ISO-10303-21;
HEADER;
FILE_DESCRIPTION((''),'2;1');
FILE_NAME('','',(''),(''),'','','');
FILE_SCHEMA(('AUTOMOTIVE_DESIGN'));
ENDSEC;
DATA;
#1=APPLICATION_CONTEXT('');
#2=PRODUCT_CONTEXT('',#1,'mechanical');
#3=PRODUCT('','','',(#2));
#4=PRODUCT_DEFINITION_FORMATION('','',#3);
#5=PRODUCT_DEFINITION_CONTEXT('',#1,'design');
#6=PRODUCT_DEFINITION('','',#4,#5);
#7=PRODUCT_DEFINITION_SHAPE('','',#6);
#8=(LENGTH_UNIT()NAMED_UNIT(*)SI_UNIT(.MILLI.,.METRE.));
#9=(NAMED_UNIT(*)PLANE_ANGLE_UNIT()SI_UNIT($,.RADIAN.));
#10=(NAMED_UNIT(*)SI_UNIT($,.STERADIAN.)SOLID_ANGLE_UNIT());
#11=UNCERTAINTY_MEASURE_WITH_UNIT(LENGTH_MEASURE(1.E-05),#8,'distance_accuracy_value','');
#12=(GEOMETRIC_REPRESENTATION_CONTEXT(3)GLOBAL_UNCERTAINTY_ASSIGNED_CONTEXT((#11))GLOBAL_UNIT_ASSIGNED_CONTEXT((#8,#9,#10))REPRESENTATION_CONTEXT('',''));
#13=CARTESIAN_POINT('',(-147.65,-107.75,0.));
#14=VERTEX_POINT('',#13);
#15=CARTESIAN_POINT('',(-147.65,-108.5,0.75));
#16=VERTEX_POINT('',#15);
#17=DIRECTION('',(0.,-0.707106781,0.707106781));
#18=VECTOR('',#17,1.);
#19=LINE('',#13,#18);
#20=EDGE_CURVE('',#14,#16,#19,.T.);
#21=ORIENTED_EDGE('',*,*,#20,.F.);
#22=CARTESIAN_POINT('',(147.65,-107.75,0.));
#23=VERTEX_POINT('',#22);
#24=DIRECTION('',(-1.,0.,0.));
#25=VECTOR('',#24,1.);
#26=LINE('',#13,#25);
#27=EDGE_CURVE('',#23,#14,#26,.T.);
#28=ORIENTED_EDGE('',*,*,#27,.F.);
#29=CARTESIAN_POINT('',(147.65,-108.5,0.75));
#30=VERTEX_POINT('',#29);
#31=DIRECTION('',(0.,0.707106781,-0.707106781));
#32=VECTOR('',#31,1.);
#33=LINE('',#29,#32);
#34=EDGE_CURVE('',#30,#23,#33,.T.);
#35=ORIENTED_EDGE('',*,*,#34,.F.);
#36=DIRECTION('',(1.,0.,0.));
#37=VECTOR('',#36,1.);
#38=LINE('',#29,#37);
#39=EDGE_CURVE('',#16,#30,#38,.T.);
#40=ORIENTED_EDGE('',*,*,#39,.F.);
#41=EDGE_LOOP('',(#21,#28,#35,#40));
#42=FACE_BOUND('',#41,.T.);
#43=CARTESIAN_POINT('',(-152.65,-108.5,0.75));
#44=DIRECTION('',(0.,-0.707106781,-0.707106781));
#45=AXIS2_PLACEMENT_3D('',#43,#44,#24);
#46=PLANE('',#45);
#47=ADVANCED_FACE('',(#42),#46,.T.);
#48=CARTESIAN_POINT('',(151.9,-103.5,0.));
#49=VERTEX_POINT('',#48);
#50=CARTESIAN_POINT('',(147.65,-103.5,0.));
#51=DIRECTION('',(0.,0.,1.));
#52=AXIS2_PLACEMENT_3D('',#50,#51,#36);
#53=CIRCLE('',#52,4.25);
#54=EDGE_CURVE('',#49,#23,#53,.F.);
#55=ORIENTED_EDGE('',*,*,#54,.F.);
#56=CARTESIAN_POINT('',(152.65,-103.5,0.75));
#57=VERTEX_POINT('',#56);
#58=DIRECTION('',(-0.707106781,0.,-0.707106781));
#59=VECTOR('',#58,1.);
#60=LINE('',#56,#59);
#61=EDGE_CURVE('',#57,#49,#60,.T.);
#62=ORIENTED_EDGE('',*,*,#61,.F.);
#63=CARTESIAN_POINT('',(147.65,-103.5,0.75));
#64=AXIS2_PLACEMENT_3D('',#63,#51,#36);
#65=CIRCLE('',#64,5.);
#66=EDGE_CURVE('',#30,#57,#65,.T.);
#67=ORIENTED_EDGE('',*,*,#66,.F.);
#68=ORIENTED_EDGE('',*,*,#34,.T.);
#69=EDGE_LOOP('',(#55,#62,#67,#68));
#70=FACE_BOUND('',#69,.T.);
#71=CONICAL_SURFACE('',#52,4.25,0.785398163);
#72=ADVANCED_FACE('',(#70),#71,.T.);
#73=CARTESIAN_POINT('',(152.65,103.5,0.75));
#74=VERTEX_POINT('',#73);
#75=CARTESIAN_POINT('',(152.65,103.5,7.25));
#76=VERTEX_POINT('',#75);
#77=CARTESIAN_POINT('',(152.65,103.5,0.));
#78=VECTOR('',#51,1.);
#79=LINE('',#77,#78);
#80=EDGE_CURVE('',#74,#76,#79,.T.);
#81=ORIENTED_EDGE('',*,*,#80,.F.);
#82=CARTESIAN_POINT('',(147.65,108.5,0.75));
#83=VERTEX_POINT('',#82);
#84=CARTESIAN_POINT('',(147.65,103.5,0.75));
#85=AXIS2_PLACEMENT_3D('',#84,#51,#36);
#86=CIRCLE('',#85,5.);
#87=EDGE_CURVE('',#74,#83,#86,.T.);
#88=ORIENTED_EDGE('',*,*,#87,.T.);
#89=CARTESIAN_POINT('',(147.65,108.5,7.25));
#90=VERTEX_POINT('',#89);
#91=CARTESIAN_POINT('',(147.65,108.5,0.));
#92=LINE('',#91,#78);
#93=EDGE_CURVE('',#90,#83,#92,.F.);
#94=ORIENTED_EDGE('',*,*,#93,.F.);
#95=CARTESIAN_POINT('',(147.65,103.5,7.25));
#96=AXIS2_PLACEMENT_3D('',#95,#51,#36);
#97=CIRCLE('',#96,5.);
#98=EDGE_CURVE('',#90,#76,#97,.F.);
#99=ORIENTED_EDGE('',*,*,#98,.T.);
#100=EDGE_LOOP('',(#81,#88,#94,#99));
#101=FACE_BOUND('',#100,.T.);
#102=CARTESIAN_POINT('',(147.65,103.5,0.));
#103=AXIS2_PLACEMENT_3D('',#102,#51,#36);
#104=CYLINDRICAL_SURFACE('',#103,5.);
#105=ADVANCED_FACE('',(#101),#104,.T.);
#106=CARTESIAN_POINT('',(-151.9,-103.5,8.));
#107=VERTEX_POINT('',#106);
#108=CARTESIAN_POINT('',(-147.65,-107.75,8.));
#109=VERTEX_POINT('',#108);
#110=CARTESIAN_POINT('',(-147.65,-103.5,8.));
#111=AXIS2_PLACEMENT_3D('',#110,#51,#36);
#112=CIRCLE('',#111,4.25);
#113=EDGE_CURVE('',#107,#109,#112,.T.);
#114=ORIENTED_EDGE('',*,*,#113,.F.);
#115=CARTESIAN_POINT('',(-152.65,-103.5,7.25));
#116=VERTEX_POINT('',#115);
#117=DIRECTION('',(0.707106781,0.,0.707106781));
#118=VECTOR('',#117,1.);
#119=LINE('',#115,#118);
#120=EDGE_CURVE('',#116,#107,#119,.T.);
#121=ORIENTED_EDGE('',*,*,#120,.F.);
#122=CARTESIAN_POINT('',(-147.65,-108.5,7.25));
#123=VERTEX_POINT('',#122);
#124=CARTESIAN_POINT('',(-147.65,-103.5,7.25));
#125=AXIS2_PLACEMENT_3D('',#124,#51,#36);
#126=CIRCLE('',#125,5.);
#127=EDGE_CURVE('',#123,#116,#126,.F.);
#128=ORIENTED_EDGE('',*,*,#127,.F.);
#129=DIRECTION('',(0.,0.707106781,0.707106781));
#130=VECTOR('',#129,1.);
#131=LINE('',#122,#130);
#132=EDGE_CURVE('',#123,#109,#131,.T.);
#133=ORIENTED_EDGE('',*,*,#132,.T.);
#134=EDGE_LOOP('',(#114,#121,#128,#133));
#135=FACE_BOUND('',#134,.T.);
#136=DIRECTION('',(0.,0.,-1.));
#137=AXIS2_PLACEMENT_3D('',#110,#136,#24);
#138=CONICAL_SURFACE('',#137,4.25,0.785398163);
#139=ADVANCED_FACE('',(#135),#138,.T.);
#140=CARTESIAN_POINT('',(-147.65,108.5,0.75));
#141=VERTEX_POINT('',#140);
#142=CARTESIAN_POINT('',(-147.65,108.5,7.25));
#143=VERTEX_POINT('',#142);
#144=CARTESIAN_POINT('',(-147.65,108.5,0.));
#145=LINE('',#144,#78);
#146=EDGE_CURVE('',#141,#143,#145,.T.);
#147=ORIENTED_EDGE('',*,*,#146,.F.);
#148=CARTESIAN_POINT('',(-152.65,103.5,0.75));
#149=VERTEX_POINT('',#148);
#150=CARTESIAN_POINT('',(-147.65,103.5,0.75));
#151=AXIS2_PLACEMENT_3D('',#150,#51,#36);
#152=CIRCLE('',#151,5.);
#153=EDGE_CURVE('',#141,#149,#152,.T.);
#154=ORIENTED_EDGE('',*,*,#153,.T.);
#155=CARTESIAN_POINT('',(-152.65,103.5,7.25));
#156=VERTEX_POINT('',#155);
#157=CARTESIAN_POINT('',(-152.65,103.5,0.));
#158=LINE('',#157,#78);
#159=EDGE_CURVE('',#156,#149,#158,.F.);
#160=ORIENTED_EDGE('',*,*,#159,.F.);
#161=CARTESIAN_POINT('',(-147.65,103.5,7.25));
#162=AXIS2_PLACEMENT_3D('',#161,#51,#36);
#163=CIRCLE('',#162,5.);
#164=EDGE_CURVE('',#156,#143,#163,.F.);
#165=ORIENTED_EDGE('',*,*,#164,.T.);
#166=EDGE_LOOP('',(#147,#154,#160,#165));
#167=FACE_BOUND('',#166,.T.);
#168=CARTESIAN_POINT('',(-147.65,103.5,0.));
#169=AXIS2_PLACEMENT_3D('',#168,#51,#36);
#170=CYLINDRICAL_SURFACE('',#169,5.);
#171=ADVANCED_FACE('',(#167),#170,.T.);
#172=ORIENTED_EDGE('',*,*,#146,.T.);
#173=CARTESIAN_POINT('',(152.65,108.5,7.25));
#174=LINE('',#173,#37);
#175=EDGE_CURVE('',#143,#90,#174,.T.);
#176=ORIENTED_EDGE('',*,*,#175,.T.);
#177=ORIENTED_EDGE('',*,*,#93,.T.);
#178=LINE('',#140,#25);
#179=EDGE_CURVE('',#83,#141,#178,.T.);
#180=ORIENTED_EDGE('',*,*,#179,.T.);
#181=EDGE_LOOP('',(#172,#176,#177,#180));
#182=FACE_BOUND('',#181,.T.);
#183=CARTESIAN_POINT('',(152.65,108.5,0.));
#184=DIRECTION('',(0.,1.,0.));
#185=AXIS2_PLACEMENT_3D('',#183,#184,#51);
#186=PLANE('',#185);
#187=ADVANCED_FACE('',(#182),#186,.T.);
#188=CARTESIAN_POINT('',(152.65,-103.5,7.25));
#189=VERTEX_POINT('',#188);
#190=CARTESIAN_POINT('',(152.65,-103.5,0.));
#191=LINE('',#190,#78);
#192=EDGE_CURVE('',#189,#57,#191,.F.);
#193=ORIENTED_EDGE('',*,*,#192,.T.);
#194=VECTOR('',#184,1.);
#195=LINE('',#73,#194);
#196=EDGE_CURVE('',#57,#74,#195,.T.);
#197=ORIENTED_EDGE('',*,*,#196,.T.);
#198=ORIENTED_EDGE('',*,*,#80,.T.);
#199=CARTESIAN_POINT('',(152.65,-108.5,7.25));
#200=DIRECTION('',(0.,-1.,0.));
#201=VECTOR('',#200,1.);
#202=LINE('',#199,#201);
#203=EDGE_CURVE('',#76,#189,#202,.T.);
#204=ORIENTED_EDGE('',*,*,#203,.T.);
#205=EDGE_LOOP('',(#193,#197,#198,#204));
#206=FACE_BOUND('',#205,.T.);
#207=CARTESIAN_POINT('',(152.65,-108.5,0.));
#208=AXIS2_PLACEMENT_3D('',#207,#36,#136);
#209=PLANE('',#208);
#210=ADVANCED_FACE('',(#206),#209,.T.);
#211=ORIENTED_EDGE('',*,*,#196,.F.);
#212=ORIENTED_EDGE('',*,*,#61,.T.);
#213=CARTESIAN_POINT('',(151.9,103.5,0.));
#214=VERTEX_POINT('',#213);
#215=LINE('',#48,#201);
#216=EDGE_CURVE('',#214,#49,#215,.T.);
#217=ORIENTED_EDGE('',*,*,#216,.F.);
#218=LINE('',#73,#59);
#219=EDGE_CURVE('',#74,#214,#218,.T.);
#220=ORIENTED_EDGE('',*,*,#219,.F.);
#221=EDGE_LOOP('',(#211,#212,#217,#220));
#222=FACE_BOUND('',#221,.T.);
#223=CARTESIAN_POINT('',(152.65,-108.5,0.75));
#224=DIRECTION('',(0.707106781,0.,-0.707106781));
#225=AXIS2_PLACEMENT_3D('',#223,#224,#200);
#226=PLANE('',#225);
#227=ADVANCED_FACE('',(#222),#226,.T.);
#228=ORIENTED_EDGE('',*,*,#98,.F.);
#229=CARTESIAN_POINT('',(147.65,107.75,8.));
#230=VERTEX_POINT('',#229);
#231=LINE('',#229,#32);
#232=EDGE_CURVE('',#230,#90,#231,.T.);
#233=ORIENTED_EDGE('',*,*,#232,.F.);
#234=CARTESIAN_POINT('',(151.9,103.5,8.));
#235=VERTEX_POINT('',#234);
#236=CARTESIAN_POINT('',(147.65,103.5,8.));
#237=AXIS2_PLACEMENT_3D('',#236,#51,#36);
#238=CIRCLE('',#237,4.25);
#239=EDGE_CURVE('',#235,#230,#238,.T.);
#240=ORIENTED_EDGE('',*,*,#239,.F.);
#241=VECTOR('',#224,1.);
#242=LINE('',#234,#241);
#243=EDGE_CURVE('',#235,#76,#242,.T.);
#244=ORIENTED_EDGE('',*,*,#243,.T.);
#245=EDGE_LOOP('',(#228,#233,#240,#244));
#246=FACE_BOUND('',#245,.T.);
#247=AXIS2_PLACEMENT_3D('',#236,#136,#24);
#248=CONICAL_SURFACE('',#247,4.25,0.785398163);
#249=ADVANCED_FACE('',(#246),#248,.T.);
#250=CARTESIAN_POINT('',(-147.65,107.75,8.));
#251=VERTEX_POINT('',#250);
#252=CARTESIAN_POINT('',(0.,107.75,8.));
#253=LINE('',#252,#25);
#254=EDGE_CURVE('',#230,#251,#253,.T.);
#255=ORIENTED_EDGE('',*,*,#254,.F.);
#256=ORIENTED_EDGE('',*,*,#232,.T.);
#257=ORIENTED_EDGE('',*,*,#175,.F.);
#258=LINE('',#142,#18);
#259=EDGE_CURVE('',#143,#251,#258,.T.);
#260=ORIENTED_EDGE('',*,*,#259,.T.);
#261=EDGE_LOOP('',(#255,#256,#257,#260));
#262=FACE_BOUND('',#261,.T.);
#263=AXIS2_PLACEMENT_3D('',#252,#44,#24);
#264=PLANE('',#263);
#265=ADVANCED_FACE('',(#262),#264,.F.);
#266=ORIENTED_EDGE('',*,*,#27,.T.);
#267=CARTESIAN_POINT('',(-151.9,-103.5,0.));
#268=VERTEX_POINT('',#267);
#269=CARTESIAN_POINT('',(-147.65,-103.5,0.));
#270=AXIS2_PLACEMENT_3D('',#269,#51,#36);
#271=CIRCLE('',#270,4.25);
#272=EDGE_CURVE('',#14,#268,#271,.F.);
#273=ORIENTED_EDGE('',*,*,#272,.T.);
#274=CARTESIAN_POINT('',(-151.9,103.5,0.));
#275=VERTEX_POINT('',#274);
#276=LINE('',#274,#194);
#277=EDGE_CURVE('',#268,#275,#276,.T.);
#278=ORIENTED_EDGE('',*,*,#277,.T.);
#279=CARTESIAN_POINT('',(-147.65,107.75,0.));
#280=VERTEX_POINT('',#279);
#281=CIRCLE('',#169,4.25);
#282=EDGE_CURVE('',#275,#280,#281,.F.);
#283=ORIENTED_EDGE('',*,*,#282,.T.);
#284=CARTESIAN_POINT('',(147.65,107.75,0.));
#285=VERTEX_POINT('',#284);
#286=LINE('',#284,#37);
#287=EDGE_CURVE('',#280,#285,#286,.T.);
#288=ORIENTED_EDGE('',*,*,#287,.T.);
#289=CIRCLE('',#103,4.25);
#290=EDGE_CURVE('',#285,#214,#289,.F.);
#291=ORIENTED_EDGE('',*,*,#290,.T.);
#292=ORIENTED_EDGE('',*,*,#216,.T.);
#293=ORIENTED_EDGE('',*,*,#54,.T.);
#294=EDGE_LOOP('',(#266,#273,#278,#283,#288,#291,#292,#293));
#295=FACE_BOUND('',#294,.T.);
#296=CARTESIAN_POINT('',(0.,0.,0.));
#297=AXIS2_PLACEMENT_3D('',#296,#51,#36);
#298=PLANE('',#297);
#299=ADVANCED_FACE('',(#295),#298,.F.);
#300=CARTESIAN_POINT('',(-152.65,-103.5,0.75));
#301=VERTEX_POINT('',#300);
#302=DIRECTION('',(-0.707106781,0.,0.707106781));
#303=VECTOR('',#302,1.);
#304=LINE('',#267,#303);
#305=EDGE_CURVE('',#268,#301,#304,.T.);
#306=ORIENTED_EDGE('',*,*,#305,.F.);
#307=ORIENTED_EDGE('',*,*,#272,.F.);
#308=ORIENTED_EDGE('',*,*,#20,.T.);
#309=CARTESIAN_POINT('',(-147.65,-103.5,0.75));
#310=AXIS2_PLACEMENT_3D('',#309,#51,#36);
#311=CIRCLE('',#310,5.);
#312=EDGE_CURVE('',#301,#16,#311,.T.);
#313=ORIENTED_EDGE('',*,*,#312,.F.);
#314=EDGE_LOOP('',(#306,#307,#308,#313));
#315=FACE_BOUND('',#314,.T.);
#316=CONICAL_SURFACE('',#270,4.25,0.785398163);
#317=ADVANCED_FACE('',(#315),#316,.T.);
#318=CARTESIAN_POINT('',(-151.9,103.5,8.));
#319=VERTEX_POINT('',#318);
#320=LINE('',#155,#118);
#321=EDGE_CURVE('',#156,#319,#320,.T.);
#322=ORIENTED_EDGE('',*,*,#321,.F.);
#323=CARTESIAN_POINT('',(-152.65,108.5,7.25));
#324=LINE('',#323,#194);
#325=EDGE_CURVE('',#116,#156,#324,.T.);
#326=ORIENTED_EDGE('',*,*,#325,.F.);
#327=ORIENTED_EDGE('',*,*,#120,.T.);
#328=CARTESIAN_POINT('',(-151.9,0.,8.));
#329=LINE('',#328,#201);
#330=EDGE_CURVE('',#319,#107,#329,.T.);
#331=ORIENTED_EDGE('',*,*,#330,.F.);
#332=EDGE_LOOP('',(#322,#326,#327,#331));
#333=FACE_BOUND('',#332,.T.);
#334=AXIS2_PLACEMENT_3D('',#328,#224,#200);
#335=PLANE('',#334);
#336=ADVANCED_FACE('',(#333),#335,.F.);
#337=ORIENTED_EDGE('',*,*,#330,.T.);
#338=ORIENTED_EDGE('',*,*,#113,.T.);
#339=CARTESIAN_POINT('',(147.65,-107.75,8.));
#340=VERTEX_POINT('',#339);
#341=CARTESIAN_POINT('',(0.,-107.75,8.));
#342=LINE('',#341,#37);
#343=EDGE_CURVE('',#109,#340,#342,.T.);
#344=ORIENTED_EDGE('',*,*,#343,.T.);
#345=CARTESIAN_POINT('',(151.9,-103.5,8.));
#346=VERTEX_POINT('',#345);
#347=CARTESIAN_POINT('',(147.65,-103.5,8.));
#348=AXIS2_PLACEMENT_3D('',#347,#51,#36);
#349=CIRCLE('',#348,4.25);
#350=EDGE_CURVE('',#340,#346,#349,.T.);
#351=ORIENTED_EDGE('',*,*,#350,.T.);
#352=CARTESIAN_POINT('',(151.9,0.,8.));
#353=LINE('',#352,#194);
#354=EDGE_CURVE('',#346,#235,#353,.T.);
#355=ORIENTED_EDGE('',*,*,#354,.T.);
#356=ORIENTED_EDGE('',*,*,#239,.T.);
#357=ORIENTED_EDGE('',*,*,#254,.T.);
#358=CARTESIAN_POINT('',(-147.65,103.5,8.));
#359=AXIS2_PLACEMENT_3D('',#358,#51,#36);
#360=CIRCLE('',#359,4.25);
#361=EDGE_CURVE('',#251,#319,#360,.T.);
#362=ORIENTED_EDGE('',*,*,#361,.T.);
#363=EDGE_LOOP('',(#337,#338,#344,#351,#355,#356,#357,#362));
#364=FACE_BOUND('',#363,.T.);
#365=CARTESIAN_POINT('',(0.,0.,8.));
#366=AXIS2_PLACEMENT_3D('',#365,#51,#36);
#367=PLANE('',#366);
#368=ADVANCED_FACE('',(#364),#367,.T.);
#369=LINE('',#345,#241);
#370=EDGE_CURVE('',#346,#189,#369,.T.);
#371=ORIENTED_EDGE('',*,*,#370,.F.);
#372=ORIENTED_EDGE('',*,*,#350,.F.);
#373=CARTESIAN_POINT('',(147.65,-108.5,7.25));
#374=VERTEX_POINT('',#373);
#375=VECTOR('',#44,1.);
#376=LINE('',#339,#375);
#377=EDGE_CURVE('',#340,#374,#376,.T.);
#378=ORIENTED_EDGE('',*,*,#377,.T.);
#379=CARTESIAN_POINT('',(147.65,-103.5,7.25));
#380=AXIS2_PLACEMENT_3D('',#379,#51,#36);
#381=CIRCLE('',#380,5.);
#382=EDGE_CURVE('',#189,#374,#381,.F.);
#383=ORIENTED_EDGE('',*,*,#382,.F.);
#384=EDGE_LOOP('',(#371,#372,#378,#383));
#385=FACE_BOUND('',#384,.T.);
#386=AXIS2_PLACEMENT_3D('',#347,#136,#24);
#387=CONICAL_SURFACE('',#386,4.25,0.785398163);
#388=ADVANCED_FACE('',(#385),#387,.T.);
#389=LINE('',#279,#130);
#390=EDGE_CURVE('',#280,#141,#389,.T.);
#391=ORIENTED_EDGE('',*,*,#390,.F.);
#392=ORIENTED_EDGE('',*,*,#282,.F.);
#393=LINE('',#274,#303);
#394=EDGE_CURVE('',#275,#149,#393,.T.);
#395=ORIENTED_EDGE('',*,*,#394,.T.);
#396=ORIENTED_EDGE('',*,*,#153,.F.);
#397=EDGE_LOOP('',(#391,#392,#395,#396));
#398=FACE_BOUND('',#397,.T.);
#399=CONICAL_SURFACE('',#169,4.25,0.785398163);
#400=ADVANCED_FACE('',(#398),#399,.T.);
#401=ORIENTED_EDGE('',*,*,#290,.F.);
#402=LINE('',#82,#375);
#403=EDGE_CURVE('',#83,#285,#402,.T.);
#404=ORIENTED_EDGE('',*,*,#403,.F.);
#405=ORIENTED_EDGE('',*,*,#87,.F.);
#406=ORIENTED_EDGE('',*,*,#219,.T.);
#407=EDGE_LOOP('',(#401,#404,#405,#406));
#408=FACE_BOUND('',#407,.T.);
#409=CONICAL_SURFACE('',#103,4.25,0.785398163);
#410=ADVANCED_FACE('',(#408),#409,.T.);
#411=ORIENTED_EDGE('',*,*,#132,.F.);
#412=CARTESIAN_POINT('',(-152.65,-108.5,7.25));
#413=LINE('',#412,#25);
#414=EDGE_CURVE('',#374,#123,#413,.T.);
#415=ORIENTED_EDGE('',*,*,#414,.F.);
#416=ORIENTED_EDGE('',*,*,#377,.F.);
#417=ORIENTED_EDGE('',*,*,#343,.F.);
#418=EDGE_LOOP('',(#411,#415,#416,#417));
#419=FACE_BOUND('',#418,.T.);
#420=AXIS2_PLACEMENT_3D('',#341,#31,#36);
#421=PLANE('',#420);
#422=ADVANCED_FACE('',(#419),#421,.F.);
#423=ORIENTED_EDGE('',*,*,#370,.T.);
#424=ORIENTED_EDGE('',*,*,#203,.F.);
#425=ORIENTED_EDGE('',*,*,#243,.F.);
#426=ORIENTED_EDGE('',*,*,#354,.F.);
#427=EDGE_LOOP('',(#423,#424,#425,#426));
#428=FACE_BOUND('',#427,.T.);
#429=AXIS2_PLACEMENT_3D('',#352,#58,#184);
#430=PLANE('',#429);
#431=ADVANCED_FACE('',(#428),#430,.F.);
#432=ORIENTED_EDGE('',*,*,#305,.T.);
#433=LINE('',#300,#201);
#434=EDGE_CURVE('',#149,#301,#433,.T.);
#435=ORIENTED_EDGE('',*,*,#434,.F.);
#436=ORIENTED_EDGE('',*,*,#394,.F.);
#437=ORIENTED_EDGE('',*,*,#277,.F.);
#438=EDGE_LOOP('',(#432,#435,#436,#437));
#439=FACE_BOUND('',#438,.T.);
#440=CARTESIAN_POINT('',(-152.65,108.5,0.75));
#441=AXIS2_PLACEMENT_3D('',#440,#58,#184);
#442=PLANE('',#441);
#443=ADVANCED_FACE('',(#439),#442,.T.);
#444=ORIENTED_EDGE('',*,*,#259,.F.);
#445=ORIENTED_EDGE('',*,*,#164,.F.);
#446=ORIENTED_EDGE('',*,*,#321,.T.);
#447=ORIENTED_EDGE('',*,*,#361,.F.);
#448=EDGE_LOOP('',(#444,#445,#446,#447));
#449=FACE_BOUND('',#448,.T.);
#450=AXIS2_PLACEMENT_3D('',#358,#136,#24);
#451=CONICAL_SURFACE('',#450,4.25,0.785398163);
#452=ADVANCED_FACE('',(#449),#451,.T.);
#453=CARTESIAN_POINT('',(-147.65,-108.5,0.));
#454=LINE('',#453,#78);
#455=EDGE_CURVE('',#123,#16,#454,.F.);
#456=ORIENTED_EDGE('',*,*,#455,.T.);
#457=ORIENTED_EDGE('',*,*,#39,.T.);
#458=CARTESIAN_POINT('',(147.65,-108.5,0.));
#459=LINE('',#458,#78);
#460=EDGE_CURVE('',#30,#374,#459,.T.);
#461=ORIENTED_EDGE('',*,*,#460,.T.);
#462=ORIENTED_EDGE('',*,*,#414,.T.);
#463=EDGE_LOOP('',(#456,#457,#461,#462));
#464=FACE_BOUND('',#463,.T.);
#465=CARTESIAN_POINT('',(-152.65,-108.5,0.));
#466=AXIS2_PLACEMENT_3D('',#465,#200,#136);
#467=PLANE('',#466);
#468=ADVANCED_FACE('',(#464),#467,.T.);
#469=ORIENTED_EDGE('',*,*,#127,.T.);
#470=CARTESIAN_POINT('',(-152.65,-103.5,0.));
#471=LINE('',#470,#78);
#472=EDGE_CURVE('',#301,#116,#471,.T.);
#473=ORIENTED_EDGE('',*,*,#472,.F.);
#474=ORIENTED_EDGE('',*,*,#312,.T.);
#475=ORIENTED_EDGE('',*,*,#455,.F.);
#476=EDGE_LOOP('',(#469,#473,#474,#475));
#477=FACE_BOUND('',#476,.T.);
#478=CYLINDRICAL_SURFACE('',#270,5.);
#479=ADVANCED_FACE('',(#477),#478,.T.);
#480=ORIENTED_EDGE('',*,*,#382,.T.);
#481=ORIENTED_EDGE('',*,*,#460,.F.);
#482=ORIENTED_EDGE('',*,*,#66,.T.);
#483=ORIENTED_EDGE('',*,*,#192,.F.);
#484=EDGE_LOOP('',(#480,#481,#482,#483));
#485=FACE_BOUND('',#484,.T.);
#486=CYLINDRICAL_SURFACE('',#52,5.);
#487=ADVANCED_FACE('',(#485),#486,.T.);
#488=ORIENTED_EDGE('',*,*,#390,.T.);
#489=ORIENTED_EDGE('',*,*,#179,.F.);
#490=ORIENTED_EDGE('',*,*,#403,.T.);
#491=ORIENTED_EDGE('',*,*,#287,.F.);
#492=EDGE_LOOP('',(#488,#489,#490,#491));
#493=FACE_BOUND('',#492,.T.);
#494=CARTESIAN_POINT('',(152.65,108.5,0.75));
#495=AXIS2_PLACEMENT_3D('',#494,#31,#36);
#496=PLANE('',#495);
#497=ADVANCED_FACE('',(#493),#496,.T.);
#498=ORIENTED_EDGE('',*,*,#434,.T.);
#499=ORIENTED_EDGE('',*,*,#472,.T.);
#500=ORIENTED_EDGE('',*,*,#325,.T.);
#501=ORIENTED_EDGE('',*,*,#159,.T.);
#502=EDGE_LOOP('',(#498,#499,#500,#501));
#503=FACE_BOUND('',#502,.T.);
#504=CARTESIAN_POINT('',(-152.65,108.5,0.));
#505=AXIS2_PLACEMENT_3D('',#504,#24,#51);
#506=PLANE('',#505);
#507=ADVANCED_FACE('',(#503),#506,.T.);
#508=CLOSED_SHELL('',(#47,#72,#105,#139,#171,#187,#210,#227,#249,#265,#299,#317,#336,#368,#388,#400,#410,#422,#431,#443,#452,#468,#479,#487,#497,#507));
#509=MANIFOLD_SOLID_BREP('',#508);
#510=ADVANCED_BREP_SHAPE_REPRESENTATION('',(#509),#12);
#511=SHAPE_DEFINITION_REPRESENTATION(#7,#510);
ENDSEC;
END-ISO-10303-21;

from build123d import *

# Parameters (mm, degrees)
SKETCH1_W           = 305.3
SKETCH1_H           = 217
BOSS_EXTRUDE1_DEPTH = 8
FILLET1_R           = 5
CHAMFER1_SIZE       = 0.75


with BuildPart() as part:
    # Sketch1 → Boss-Extrude1 (new body)
    with BuildSketch(Plane.XY.offset(8)):
        Rectangle(SKETCH1_W, SKETCH1_H)
    extrude(amount=-BOSS_EXTRUDE1_DEPTH)

    # Fillet1
    fillet1_edges = [part.edges().sort_by_distance(p)[0] for p in [
        (-152.65, 108.5, 4),
        (152.65, 108.5, 4),
        (152.65, -108.5, 4),
        (-152.65, -108.5, 4),
    ]]
    fillet(fillet1_edges, radius=FILLET1_R)

    # Chamfer1
    chamfer1_edges = [part.edges().sort_by_distance(p)[0] for p in [
        (152.65, 0, 8),
        (152.65, 0, 0),
        (-152.65, 0, 8),
        (0, -108.5, 8),
        (0, 108.5, 8),
        (-151.185533906, -107.035533906, 8),
        (-151.185533906, 107.035533906, 8),
        (151.185533906, -107.035533906, 8),
        (151.185533906, 107.035533906, 8),
        (0, 108.5, 0),
        (-152.65, 0, 0),
        (0, -108.5, 0),
        (-151.185533906, -107.035533906, 0),
        (-151.185533906, 107.035533906, 0),
        (151.185533906, -107.035533906, 0),
        (151.185533906, 107.035533906, 0),
    ]]
    chamfer(chamfer1_edges, length=CHAMFER1_SIZE)


solid = part.part
